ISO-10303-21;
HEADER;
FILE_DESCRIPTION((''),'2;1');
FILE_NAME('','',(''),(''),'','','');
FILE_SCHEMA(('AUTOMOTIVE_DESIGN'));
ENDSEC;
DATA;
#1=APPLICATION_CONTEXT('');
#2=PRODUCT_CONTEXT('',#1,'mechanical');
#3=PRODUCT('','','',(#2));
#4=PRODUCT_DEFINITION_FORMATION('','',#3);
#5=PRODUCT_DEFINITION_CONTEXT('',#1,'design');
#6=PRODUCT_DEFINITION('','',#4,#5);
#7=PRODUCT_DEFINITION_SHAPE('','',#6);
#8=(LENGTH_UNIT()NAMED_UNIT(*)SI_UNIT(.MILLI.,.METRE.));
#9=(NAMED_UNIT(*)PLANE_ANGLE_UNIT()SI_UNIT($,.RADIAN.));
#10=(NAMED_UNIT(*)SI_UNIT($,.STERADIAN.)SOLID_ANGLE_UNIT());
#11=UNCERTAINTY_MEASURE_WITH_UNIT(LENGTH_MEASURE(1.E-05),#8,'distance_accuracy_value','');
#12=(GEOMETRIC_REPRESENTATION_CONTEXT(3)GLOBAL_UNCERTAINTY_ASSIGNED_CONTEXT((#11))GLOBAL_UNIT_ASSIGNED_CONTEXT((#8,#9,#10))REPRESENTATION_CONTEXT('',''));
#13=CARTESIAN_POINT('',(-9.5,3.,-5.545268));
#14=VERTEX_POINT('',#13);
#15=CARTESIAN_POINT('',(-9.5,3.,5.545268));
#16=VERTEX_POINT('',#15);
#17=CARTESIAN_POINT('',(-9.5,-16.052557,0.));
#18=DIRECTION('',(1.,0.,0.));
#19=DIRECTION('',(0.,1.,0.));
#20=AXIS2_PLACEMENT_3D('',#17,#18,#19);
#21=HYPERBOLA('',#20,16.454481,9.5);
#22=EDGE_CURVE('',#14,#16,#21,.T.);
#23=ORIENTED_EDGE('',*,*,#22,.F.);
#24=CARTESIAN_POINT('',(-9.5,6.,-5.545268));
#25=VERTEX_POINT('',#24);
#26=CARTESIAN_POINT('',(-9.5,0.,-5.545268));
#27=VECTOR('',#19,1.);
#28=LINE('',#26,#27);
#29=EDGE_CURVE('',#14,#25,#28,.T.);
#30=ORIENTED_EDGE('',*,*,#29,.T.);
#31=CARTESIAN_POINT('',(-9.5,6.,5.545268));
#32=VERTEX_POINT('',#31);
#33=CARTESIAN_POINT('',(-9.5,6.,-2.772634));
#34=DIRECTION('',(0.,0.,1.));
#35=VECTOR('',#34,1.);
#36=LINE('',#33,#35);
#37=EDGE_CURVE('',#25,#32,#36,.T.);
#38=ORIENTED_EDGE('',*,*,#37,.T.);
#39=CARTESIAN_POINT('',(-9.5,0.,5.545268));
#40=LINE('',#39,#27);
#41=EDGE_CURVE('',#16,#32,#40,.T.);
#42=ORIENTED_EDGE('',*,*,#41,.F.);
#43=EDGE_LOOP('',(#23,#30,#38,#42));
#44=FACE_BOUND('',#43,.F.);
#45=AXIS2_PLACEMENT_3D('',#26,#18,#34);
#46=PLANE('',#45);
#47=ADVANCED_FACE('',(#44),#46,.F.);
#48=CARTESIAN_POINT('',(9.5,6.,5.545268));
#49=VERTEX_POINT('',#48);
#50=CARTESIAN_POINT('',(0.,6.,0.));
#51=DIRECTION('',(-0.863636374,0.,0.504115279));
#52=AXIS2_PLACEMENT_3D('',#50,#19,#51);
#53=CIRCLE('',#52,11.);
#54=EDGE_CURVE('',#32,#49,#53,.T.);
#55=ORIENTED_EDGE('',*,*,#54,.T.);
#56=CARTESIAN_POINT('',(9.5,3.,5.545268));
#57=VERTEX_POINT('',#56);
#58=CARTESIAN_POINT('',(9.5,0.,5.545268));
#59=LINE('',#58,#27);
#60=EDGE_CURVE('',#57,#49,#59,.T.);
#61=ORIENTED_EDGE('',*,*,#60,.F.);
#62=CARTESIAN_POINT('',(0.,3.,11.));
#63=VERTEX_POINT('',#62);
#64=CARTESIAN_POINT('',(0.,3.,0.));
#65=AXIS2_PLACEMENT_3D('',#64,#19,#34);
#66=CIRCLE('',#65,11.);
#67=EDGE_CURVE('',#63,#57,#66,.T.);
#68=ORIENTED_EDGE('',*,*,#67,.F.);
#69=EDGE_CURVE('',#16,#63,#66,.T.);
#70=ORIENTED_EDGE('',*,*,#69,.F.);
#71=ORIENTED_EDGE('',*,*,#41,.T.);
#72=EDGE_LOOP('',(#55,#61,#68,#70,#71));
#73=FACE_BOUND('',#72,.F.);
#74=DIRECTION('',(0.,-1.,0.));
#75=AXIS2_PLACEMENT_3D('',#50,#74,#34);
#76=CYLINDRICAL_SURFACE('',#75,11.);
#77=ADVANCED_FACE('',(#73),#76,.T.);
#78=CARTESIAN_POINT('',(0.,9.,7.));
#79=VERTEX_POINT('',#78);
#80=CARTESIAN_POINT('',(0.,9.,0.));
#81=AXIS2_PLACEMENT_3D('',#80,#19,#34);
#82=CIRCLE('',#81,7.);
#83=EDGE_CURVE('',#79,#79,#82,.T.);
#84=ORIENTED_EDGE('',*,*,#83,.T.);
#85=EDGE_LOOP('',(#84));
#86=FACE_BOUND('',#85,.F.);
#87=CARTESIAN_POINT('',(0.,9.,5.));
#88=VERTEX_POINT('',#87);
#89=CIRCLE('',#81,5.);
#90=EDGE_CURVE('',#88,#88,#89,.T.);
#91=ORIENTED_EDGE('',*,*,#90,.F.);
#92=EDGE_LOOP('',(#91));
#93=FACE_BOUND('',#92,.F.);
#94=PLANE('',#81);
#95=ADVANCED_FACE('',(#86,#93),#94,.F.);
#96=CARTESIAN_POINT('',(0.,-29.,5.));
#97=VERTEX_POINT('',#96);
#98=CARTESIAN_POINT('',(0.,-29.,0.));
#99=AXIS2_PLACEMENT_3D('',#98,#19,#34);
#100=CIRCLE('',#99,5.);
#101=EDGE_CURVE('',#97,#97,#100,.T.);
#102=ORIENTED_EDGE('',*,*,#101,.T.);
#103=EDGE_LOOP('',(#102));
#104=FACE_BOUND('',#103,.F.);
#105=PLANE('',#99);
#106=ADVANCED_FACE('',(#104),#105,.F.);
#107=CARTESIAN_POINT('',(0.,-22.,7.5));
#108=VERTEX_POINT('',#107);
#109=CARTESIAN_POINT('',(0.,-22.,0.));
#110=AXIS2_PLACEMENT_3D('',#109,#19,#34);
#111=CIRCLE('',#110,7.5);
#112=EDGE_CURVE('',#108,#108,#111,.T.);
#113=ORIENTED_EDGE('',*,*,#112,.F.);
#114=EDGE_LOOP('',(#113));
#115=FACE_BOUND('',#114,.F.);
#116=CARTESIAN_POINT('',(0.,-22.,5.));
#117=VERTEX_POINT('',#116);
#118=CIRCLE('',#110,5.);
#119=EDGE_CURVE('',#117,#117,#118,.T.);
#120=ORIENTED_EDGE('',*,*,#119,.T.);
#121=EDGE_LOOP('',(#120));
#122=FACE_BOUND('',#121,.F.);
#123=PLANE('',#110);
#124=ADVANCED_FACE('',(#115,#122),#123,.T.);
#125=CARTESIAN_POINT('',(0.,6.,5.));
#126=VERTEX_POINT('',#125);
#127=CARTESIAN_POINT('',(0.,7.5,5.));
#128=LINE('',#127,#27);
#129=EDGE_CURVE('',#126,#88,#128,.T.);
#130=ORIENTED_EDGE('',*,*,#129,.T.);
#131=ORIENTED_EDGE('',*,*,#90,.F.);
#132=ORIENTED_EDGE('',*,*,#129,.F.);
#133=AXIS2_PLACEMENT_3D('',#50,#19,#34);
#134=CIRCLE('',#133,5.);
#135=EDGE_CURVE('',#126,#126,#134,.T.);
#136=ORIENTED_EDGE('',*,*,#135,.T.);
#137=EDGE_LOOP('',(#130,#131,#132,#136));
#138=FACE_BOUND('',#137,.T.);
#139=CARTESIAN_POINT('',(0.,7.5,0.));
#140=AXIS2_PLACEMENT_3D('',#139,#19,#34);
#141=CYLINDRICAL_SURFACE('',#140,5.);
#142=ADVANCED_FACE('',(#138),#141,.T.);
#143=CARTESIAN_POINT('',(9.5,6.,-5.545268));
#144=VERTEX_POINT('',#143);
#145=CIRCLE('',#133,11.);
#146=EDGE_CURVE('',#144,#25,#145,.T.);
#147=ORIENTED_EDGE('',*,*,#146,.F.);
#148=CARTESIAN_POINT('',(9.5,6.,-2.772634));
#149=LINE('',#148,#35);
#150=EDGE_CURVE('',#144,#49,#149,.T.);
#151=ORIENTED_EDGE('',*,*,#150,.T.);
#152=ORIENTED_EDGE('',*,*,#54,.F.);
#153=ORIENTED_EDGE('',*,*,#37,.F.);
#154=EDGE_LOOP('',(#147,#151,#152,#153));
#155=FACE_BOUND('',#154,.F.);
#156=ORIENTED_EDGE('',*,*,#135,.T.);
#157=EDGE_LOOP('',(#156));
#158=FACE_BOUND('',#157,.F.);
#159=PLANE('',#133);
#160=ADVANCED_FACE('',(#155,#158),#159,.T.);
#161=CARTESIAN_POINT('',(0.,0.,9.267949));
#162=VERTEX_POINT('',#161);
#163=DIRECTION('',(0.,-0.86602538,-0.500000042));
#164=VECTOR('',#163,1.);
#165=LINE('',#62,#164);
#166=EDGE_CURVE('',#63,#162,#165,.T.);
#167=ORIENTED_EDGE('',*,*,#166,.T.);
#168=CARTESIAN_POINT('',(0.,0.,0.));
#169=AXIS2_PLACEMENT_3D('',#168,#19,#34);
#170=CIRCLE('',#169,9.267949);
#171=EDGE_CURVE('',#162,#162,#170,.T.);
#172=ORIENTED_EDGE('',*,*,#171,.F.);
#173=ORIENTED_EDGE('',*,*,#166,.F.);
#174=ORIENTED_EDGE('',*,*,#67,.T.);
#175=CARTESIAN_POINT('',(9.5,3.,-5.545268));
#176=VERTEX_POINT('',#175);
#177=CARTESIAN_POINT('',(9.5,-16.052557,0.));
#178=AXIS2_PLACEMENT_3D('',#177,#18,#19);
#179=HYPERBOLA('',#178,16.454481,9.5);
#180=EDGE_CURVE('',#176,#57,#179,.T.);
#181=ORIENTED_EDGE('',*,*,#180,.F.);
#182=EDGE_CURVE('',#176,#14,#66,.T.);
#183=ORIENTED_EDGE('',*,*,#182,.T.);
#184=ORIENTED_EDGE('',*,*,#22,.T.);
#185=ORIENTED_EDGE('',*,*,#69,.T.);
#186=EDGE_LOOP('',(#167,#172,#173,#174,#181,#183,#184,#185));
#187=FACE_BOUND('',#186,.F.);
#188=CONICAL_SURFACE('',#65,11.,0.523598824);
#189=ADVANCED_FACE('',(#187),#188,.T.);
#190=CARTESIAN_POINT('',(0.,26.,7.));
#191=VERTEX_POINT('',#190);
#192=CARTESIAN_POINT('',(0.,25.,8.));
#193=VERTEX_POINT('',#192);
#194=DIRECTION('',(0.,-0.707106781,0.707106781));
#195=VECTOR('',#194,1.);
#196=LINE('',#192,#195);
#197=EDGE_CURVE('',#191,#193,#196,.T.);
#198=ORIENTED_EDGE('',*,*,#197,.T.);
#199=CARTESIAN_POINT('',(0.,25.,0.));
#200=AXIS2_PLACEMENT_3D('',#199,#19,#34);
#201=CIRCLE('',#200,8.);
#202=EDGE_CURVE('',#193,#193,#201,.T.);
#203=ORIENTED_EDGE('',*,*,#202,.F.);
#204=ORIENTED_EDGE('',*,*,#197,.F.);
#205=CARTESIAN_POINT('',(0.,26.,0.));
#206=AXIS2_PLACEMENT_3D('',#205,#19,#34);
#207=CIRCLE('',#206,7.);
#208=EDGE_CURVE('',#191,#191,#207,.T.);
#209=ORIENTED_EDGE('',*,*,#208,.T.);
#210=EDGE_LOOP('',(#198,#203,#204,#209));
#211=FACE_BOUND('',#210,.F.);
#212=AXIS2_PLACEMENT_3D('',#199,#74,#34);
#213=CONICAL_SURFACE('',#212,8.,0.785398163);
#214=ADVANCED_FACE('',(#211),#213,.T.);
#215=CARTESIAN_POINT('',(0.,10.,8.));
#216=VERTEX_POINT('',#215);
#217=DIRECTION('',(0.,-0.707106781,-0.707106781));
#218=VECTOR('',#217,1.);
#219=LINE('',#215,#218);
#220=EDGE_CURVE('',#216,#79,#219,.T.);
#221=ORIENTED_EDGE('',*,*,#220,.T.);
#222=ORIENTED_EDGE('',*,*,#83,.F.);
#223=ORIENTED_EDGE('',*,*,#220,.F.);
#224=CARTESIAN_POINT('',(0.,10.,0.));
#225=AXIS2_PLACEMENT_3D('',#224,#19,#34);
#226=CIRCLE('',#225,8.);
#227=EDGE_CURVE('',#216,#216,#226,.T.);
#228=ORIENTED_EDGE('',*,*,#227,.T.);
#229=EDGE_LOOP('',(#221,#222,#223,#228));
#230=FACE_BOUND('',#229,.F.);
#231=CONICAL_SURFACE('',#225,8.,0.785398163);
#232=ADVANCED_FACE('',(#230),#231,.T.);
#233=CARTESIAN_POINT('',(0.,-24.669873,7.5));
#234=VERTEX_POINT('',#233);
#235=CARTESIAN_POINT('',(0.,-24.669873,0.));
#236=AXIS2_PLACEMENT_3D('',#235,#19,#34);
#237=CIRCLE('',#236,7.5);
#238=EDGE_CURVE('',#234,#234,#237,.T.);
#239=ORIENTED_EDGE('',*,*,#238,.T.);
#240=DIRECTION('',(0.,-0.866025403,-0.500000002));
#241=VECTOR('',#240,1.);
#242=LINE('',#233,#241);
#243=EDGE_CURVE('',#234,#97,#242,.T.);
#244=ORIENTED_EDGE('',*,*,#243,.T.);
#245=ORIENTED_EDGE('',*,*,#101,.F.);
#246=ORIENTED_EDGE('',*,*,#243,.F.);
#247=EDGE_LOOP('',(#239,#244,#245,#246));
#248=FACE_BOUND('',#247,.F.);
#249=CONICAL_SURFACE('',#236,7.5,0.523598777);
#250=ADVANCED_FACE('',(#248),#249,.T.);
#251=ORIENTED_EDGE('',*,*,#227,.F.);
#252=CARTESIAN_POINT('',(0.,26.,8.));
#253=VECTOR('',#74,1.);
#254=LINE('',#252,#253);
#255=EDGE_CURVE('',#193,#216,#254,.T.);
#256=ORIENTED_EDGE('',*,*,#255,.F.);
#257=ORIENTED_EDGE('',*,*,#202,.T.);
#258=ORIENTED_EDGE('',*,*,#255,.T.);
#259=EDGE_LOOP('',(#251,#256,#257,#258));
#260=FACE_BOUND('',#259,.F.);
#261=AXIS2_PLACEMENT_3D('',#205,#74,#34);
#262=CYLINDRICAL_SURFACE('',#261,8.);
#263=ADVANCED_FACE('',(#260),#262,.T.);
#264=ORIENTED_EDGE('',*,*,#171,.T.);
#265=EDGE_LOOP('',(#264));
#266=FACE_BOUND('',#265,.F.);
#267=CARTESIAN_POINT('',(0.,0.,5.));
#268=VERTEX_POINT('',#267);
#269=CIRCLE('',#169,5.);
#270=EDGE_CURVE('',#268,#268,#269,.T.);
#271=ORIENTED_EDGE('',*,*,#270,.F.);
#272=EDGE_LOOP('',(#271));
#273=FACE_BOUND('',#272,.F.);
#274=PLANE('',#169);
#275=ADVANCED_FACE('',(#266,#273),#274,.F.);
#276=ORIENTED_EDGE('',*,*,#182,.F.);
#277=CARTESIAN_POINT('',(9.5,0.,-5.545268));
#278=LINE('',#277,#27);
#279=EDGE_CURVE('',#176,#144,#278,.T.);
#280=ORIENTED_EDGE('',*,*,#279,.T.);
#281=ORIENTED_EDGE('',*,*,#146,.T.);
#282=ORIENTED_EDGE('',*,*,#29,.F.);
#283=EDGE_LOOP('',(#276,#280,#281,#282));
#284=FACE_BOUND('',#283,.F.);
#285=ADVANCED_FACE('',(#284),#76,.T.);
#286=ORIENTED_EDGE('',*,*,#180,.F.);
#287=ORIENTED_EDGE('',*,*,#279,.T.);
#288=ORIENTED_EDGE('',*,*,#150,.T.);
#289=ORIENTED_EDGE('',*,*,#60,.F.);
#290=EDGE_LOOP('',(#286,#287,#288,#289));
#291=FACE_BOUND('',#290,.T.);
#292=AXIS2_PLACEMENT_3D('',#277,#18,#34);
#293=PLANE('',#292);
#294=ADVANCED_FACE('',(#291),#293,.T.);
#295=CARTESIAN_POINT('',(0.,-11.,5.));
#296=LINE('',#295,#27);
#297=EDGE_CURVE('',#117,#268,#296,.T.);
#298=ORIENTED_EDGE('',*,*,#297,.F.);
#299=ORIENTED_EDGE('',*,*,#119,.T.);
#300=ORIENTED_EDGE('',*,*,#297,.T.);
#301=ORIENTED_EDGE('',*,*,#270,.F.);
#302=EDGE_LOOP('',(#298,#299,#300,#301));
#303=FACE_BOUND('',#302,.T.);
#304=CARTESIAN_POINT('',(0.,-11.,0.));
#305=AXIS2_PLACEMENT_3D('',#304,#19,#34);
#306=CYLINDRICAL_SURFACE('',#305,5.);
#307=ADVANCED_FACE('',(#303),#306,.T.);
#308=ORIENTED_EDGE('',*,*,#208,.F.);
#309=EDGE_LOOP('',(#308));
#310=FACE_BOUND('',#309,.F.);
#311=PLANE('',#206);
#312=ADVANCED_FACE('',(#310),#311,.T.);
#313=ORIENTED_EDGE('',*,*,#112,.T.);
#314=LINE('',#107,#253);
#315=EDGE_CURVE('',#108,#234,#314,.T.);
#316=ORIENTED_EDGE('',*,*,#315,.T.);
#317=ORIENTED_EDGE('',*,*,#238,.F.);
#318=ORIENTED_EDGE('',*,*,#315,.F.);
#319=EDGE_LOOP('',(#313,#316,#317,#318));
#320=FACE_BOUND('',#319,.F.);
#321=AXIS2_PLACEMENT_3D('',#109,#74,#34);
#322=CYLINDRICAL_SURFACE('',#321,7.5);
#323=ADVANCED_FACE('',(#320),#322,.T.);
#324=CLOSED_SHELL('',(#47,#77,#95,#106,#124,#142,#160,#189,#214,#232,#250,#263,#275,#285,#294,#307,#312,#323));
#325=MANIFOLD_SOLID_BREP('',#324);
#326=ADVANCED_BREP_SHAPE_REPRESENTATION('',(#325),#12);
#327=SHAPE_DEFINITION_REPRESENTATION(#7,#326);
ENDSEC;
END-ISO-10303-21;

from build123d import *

# Parameters (mm, degrees)
F0_W     = 22
F0_H     = 5
F0_W_2   = 3
F2_SIZE  = 1
F3_W     = 3
F3_H     = 11.090536
F4_DEPTH = 27.256256


with BuildPart() as f1:
    # F0 (on Right) → F1 (revolve)
    with BuildSketch(Plane.YZ):
        with Locations((-11, 2.5)):
            Rectangle(F0_W, F0_H)
        Polygon((0, 5), (0, 0), (3, 0), (3, 11), (0, 9.267949), align=None)
        Polygon((-24.669873, 0), (-22, 0), (-22, 5), (-22, 7.5), (-24.669873, 7.5), align=None)
        Polygon((3, 11), (3, 0), (6, 0), (6, 5), (6, 11), align=None)
        Polygon((-29, 0), (-24.669873, 0), (-24.669873, 7.5), (-29, 5), align=None)
        with Locations((7.5, 2.5)):
            Rectangle(F0_W_2, F0_H)
        Polygon((9, 5), (9, 0), (26, 0), (26, 8), (9, 8), align=None)
    revolve(axis=Axis((0, 0.418028, 0), (0, 1, 0)))

    # F2
    f2_edges = [f1.edges().sort_by_distance(p)[0] for p in [
        (0, 9, -8),
        (0, 26, -8),
    ]]
    chamfer(f2_edges, length=F2_SIZE)

    # F3 (on Front) → F4 (cut)
    with BuildSketch(Plane.XZ):
        with Locations((11, 0)):
            Rectangle(F3_W, F3_H)
        with Locations((-11, 0)):
            Rectangle(F3_W, F3_H)
    extrude(amount=-F4_DEPTH, mode=Mode.SUBTRACT)


solid = f1.part
